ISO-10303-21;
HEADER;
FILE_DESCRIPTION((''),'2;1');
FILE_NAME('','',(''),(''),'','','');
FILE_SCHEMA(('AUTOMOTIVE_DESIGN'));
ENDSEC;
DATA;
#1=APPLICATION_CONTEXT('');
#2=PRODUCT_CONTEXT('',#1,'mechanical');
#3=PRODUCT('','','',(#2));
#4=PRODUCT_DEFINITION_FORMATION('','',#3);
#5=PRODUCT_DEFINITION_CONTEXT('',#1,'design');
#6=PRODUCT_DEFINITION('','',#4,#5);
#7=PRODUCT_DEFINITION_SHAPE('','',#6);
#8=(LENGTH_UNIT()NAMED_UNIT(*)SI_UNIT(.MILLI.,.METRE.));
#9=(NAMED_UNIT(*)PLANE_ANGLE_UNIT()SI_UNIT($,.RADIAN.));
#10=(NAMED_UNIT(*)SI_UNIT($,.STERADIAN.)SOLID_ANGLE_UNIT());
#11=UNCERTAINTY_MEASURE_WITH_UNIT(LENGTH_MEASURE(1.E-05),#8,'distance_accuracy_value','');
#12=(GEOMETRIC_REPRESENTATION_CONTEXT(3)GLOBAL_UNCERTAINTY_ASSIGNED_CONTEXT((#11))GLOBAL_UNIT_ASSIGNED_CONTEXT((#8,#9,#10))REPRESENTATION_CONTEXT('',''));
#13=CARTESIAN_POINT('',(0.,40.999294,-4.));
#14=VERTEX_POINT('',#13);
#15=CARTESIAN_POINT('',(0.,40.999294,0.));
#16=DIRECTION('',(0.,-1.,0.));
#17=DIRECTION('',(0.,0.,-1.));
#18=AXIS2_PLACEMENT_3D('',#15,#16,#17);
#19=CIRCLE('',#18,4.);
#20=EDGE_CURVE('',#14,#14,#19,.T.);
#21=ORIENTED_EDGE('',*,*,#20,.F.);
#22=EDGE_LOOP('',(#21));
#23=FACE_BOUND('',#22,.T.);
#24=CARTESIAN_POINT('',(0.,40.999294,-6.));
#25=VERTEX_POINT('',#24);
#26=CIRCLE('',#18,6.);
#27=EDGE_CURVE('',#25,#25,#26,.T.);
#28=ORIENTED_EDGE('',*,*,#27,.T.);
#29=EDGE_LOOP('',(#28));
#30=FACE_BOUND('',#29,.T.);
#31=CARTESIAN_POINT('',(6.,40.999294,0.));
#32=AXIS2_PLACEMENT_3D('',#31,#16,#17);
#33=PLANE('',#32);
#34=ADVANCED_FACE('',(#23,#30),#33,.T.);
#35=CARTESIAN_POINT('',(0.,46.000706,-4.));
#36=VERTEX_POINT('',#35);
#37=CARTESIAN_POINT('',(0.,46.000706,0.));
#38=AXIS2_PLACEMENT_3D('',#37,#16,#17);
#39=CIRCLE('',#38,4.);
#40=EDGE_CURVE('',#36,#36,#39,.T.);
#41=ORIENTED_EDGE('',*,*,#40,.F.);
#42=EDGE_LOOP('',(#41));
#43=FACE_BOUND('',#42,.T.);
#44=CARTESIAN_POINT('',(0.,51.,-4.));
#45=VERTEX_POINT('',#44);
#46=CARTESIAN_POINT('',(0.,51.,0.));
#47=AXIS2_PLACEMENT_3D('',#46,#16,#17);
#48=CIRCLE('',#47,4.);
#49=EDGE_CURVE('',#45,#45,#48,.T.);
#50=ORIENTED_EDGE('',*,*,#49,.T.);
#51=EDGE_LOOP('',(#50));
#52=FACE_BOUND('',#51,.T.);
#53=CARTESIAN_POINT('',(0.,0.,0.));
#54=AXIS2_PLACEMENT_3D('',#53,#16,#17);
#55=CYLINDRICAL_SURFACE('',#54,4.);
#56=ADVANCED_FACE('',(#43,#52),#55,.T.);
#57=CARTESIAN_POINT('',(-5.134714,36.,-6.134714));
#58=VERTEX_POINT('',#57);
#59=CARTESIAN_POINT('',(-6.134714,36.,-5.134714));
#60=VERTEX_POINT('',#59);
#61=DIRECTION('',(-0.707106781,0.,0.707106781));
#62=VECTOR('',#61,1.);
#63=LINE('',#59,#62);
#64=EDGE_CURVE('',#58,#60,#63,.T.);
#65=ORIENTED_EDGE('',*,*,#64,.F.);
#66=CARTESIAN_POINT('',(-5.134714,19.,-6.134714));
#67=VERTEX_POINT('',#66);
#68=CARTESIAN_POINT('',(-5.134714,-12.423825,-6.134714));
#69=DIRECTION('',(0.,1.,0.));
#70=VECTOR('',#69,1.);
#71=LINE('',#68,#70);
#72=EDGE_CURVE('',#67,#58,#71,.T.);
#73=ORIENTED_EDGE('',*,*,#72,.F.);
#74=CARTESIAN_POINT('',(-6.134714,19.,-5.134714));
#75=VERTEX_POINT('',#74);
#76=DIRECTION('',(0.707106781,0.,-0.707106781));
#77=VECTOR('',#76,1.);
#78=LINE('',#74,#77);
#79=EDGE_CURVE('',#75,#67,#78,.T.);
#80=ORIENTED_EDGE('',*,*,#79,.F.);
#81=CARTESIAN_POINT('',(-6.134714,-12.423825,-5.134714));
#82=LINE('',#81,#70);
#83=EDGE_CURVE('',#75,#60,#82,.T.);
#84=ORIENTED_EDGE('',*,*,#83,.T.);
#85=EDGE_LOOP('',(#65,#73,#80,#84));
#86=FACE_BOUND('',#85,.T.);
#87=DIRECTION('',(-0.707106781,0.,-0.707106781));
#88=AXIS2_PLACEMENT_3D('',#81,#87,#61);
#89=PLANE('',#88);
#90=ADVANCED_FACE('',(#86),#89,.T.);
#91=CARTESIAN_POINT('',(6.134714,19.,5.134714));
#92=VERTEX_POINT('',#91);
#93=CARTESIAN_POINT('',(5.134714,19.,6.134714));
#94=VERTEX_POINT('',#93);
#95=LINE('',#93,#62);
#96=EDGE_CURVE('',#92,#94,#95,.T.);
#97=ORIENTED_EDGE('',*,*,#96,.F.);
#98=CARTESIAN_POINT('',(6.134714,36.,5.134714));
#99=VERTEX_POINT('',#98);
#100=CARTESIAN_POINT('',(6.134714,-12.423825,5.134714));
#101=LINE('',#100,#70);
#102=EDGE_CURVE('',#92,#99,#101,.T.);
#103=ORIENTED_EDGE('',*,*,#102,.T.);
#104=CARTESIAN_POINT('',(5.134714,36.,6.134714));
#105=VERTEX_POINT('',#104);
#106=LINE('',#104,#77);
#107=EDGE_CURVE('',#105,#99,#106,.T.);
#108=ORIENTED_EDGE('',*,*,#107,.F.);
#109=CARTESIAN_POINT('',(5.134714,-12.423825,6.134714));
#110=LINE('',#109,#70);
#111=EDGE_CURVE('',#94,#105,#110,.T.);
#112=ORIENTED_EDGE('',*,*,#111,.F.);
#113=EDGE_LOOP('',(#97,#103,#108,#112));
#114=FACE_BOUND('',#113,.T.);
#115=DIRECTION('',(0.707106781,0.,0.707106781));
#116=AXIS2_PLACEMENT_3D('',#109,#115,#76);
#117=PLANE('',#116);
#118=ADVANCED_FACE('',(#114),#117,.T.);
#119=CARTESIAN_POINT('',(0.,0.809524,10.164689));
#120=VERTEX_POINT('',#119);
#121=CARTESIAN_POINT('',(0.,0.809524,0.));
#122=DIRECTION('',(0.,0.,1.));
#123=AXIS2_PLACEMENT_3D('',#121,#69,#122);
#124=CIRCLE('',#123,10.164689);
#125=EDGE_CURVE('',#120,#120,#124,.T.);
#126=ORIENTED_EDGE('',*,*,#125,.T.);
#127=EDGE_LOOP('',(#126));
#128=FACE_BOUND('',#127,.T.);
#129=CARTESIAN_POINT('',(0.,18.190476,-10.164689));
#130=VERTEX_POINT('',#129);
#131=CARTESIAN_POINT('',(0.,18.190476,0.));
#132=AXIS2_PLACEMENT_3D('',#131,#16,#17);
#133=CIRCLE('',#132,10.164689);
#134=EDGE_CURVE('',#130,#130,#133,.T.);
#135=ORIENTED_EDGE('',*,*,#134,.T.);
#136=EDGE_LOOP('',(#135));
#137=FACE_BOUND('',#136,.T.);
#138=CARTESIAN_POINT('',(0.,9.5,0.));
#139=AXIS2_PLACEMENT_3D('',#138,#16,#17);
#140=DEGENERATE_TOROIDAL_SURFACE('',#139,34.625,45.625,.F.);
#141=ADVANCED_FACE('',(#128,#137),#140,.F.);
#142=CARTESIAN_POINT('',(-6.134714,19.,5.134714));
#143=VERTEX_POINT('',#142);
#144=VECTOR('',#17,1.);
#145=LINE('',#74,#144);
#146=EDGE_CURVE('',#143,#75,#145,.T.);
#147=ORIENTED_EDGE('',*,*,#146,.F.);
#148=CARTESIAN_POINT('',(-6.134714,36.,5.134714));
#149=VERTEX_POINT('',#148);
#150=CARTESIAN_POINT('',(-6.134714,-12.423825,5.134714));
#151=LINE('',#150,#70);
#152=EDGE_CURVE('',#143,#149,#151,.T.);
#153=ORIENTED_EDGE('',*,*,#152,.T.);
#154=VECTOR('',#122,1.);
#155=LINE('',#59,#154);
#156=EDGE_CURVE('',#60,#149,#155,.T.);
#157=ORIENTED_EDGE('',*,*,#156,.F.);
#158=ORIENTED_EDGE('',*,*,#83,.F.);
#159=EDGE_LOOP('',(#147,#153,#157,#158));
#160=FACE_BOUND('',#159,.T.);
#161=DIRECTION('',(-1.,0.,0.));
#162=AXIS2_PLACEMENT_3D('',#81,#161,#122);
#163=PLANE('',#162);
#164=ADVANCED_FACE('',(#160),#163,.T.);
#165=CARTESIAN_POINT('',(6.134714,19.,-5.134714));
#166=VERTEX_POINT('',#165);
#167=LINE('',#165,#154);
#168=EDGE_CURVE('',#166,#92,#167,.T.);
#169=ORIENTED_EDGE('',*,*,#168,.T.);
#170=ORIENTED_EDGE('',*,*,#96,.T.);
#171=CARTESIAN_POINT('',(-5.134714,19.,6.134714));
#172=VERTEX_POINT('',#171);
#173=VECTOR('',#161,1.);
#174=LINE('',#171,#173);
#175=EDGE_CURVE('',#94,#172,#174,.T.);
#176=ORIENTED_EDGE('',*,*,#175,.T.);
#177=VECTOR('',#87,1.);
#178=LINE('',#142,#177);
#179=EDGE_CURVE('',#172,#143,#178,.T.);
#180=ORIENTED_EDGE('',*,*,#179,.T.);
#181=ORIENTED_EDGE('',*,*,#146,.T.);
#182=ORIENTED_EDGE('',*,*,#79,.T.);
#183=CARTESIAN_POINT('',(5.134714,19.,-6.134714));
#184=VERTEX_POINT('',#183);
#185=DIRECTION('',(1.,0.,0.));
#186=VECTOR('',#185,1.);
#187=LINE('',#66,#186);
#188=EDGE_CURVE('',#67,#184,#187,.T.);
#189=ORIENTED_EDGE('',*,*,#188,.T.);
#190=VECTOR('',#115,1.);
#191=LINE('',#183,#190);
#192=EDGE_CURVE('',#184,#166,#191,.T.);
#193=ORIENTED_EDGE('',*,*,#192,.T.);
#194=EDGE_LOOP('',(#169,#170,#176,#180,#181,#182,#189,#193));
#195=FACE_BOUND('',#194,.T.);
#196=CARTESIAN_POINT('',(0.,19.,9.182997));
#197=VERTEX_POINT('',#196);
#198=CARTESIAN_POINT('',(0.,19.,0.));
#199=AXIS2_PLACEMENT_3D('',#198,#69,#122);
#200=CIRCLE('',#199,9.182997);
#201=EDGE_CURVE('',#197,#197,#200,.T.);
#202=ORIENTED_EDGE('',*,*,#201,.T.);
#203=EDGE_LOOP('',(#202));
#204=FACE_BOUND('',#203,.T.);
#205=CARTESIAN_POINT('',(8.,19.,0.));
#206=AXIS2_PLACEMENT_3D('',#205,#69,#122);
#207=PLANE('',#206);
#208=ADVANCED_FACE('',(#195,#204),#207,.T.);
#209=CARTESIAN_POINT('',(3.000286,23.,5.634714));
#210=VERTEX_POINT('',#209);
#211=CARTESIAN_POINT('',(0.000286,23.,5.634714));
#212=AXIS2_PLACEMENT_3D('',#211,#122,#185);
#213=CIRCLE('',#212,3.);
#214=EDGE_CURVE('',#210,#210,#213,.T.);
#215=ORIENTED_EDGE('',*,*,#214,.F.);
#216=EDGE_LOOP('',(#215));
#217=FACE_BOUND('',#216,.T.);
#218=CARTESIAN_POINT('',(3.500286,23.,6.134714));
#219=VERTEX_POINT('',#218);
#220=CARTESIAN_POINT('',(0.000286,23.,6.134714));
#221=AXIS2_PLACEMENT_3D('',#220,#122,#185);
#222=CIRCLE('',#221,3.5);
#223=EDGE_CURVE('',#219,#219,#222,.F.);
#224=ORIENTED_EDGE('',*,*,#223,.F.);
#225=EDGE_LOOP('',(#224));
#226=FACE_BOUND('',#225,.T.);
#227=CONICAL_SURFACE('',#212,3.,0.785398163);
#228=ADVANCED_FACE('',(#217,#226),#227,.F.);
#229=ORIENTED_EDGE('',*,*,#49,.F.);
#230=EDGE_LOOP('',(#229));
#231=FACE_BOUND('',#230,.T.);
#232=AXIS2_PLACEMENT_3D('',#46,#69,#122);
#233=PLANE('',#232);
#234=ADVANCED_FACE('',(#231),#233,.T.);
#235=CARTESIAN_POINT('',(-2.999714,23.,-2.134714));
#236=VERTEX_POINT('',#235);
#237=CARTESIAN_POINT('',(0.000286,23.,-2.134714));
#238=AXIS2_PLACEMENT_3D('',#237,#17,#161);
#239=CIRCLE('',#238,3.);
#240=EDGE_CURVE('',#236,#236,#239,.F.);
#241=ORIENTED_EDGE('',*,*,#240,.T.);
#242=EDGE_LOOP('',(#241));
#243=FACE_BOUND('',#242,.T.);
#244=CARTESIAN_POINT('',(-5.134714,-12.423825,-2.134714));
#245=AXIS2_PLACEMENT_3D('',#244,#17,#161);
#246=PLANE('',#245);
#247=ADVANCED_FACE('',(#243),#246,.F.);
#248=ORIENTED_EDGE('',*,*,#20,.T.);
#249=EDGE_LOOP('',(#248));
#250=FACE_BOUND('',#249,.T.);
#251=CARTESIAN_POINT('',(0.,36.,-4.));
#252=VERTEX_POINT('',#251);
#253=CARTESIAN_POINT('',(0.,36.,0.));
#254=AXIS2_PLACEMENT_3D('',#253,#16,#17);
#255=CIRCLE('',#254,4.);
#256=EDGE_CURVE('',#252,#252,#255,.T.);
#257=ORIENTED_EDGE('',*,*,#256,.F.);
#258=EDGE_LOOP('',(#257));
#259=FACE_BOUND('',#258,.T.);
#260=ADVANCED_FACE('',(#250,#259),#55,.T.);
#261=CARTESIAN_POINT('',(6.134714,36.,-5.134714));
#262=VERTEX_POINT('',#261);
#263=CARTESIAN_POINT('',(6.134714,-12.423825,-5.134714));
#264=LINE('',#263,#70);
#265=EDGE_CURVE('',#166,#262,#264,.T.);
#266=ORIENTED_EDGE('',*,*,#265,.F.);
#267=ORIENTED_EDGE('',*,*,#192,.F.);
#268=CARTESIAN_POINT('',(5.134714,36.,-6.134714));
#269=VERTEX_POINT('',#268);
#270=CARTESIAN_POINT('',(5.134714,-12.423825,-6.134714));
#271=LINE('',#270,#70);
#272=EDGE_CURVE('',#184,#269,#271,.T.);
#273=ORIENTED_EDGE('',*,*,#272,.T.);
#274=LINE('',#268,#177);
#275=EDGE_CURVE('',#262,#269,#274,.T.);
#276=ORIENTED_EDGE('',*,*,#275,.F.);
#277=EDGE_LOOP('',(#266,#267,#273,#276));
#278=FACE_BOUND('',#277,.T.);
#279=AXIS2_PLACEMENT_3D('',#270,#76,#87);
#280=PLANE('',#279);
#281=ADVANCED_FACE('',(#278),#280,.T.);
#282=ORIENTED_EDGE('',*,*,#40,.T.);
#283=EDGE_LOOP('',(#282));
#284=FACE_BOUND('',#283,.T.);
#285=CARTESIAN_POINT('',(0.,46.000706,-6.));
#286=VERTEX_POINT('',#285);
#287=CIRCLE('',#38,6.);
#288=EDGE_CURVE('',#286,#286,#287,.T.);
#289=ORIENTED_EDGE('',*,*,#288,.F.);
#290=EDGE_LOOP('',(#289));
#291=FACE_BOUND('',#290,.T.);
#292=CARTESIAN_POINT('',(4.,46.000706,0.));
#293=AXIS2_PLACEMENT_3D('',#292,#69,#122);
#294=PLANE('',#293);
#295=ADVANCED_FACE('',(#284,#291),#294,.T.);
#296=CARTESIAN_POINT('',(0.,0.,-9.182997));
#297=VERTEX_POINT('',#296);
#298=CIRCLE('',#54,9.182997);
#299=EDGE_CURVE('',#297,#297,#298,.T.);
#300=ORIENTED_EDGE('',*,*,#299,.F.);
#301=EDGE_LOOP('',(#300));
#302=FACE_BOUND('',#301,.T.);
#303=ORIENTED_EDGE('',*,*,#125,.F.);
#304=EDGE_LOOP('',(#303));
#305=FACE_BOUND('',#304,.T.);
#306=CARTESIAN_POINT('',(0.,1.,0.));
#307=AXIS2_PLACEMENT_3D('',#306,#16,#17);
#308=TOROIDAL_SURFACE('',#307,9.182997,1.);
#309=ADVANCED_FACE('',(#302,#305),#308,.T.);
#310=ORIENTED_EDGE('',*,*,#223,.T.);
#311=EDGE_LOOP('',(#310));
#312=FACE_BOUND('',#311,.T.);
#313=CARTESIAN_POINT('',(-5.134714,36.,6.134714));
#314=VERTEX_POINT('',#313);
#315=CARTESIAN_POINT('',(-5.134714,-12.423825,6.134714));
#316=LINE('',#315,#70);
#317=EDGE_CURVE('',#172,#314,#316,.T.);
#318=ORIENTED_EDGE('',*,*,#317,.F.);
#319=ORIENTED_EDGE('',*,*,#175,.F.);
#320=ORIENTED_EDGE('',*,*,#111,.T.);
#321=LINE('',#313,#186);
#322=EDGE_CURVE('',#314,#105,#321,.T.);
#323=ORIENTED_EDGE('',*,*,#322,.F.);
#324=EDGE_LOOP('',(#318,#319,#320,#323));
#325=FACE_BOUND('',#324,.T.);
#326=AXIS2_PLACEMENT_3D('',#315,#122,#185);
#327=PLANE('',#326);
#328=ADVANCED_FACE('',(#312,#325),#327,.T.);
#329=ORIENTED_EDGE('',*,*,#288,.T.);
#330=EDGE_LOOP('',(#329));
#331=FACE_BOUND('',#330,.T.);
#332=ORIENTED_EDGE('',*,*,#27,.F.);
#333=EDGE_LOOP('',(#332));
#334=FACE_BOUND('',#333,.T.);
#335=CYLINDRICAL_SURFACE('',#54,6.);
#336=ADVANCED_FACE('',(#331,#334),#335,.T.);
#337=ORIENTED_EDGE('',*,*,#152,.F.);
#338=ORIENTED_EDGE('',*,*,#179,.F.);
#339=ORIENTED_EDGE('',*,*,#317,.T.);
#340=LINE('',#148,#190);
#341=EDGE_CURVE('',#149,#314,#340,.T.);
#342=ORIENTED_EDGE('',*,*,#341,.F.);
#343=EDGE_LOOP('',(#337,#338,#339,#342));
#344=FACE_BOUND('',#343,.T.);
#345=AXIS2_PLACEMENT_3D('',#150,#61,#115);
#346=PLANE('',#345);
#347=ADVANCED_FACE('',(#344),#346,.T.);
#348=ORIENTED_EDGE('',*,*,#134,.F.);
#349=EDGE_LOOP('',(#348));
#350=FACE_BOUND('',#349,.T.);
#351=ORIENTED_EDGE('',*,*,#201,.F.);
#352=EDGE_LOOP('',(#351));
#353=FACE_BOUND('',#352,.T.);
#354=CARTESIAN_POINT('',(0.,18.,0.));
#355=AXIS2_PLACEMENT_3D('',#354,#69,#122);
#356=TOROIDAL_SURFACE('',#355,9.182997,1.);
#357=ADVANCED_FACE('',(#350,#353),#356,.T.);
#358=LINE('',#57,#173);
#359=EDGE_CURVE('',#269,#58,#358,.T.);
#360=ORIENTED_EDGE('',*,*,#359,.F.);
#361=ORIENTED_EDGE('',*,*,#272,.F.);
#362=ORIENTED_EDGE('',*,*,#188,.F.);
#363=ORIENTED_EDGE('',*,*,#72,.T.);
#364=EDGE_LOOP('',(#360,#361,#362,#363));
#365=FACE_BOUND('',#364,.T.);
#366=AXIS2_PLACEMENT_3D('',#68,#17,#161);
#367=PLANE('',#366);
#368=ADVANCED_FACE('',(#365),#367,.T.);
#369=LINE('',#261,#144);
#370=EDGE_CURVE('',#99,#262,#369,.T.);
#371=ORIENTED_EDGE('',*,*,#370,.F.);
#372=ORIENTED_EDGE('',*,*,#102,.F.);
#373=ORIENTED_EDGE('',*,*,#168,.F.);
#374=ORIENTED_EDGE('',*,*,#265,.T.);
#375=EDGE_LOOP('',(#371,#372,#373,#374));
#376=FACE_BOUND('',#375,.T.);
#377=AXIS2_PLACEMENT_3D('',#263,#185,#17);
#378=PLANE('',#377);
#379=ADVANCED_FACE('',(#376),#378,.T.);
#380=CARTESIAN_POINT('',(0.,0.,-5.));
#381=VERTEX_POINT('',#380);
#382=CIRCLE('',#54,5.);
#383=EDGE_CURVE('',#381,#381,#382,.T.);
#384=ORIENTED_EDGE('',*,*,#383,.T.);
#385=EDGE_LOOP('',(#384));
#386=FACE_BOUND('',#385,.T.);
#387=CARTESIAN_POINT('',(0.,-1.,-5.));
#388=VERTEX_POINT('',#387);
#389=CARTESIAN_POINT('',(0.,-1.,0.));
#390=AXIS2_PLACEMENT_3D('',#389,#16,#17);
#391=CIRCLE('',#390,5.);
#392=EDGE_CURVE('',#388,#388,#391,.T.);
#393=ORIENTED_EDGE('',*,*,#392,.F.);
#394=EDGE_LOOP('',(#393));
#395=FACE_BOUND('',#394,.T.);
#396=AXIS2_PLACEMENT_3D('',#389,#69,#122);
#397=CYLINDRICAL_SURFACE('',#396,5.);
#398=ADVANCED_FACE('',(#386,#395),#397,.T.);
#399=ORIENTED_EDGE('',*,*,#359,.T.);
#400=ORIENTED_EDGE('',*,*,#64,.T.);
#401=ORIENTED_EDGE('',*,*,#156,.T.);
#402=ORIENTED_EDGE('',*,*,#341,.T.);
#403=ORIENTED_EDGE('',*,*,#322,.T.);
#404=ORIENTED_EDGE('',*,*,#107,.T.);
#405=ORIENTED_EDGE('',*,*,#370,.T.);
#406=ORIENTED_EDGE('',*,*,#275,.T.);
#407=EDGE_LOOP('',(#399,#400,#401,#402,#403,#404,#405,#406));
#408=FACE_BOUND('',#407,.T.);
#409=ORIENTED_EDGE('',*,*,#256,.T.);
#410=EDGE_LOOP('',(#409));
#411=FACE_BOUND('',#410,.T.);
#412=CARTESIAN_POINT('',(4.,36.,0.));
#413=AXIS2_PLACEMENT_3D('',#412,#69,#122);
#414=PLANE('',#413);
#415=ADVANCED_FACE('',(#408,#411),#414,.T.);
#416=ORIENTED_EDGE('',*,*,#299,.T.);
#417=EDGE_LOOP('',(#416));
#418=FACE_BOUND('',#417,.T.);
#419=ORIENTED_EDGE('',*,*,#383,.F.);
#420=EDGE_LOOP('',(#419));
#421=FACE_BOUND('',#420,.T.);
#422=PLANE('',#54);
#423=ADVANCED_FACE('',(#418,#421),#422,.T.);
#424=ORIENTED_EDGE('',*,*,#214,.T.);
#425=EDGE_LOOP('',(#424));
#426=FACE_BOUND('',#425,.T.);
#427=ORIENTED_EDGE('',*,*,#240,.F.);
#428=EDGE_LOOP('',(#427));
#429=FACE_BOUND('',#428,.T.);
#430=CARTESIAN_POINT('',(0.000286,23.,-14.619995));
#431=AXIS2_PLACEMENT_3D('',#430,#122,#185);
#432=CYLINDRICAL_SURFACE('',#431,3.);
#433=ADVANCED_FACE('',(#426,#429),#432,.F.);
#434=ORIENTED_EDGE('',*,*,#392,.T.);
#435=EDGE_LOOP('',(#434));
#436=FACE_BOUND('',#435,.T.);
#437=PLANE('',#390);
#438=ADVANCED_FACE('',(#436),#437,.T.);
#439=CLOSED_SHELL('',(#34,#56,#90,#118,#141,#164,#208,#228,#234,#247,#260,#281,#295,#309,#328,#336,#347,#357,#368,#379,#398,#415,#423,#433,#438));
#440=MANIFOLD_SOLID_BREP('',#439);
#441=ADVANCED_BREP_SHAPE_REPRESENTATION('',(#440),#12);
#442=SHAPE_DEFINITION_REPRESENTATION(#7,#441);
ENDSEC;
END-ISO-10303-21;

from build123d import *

# Parameters (mm, degrees)
SKETCH2_OUTSIDE_W   = 35.948
SKETCH2_OUTSIDE_H   = 35.948
CUT_EXTRUDE1_DEPTH  = 17
SKETCH3_R           = 3
CUT_EXTRUDE2_DEPTH  = 8.269428
CHAMFER1_SIZE       = 0.5
SKETCH4_R           = 5
BOSS_EXTRUDE1_DEPTH = 1
FILLET1_R           = 1


with BuildPart() as part:
    # Sketch1 → Revolve1 (revolve)
    with BuildSketch(Plane.XY):
        with BuildLine():
            Line((0, 0), (0, 51))
            Line((0, 51), (4, 51))
            Line((4, 51), (4, 46.000706479))
            Line((4, 46.000706479), (6, 46.000706479))
            Line((6, 46.000706479), (6, 40.999293521))
            Line((6, 40.999293521), (4, 40.999293521))
            Line((4, 40.999293521), (4, 36))
            Line((4, 36), (8, 36))
            Line((8, 36), (8, 19))
            Line((8, 19), (10, 19))
            ThreePointArc((10, 19), (11, 9.5), (10, 0))
            Line((10, 0), (0, 0))
        make_face()
    revolve(axis=Axis((0, 0, 0), (0, 1, 0)))

    # Sketch2 outside → Cut-Extrude1 (cut)
    with BuildSketch(Plane(origin=(0, 36, 0), x_dir=(1, 0, 0), z_dir=(0, 1, 0))):
        Rectangle(SKETCH2_OUTSIDE_W, SKETCH2_OUTSIDE_H)
        Polygon((-6.134713835, 5.134713835), (-5.134713835, 6.134713835), (5.134713835, 6.134713835), (6.134713835, 5.134713835), (6.134713835, -5.134713835), (5.134713835, -6.134713835), (-5.134713835, -6.134713835), (-6.134713835, -5.134713835), align=None, mode=Mode.SUBTRACT)
    extrude(amount=-CUT_EXTRUDE1_DEPTH, mode=Mode.SUBTRACT)

    # Sketch3 → Cut-Extrude2 (cut)
    with BuildSketch(Plane.XY.offset(6.134713835)):
        with Locations((0.000286165, 23)):
            Circle(SKETCH3_R)
    extrude(amount=-CUT_EXTRUDE2_DEPTH, mode=Mode.SUBTRACT)

    # Chamfer1
    chamfer1_edges = [part.edges().sort_by_distance(p)[0] for p in [
        (-2.999713835, 23, 6.134713835),
    ]]
    chamfer(chamfer1_edges, length=CHAMFER1_SIZE)

    # Sketch4 → Boss-Extrude1 (add)
    with BuildSketch(Plane.XZ):
        Circle(SKETCH4_R)
    extrude(amount=BOSS_EXTRUDE1_DEPTH)

    # Fillet1
    fillet1_edges = [part.edges().sort_by_distance(p)[0] for p in [
        (-10, 0, 0),
        (-10, 19, 0),
    ]]
    fillet(fillet1_edges, radius=FILLET1_R)


solid = part.part
